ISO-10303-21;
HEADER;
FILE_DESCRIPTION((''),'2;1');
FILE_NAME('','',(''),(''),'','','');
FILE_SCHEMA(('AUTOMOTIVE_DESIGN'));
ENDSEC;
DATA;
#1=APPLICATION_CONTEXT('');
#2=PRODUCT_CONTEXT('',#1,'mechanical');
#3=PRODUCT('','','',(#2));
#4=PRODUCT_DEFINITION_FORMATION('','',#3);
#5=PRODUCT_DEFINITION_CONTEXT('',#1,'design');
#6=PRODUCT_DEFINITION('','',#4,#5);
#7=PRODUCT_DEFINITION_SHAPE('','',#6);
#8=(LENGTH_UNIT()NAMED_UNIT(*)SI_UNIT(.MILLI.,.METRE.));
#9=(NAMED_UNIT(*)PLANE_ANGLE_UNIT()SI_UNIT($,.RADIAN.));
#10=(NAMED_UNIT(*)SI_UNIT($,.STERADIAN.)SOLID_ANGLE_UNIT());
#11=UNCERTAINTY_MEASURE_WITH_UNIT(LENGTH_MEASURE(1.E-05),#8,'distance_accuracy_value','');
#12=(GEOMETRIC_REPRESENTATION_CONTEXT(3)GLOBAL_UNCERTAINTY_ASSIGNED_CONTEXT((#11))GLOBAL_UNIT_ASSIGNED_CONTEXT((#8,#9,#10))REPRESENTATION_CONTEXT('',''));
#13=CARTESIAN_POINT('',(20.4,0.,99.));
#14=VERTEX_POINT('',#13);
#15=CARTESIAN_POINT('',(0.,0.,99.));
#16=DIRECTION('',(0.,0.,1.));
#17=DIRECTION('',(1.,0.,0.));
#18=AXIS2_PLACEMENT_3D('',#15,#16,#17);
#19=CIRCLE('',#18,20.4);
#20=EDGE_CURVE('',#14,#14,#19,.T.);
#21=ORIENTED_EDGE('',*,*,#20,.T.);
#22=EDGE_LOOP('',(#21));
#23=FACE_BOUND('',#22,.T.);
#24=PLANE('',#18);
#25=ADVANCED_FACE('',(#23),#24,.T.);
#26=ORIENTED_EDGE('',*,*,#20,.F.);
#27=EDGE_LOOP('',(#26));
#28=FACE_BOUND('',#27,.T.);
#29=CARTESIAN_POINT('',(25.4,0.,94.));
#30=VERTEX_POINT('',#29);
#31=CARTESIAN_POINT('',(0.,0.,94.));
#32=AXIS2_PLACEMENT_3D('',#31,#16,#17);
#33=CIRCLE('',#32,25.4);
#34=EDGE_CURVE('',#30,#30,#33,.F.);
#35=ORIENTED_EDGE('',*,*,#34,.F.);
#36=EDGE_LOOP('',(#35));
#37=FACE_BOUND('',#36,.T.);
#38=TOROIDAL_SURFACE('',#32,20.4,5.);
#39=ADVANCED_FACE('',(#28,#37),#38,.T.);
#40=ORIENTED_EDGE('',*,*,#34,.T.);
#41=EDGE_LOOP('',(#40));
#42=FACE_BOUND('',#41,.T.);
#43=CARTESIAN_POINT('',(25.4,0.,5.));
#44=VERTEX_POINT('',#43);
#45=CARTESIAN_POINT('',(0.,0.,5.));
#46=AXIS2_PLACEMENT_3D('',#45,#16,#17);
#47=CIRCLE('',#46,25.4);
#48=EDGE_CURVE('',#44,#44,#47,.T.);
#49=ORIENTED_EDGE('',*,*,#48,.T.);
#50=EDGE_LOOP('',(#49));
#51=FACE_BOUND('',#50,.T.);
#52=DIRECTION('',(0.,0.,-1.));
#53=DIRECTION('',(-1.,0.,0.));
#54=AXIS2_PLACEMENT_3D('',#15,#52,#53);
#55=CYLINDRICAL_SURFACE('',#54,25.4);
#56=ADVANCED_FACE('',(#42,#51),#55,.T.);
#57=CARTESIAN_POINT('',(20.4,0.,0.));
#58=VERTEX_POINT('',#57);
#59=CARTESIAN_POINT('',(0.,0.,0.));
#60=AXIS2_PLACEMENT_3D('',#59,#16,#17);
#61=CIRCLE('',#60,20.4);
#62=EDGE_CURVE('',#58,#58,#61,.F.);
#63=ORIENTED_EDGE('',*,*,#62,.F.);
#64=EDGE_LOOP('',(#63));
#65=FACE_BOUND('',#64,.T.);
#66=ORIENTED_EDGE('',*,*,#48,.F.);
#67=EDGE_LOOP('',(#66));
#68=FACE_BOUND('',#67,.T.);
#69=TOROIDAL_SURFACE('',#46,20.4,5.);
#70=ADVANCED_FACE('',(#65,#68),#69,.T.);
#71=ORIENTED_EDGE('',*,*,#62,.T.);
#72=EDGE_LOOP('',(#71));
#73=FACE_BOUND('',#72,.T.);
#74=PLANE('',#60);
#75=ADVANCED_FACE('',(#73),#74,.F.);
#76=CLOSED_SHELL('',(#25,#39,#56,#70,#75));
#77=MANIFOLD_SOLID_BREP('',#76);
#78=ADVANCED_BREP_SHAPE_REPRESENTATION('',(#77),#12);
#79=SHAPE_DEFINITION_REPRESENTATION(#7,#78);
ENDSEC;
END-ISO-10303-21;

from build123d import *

# Parameters (mm, degrees)
SKETCH1_R           = 25.4
BOSS_EXTRUDE1_DEPTH = 99
FILLET1_R           = 5


with BuildPart() as part:
    # Sketch1 → Boss-Extrude1 (new body)
    with BuildSketch(Plane.XY):
        Circle(SKETCH1_R)
    extrude(amount=BOSS_EXTRUDE1_DEPTH)

    # Fillet1
    fillet1_edges = [part.edges().sort_by_distance(p)[0] for p in [
        (-25.4, 0, 0),
        (-25.4, 0, 99),
    ]]
    fillet(fillet1_edges, radius=FILLET1_R)


solid = part.part
